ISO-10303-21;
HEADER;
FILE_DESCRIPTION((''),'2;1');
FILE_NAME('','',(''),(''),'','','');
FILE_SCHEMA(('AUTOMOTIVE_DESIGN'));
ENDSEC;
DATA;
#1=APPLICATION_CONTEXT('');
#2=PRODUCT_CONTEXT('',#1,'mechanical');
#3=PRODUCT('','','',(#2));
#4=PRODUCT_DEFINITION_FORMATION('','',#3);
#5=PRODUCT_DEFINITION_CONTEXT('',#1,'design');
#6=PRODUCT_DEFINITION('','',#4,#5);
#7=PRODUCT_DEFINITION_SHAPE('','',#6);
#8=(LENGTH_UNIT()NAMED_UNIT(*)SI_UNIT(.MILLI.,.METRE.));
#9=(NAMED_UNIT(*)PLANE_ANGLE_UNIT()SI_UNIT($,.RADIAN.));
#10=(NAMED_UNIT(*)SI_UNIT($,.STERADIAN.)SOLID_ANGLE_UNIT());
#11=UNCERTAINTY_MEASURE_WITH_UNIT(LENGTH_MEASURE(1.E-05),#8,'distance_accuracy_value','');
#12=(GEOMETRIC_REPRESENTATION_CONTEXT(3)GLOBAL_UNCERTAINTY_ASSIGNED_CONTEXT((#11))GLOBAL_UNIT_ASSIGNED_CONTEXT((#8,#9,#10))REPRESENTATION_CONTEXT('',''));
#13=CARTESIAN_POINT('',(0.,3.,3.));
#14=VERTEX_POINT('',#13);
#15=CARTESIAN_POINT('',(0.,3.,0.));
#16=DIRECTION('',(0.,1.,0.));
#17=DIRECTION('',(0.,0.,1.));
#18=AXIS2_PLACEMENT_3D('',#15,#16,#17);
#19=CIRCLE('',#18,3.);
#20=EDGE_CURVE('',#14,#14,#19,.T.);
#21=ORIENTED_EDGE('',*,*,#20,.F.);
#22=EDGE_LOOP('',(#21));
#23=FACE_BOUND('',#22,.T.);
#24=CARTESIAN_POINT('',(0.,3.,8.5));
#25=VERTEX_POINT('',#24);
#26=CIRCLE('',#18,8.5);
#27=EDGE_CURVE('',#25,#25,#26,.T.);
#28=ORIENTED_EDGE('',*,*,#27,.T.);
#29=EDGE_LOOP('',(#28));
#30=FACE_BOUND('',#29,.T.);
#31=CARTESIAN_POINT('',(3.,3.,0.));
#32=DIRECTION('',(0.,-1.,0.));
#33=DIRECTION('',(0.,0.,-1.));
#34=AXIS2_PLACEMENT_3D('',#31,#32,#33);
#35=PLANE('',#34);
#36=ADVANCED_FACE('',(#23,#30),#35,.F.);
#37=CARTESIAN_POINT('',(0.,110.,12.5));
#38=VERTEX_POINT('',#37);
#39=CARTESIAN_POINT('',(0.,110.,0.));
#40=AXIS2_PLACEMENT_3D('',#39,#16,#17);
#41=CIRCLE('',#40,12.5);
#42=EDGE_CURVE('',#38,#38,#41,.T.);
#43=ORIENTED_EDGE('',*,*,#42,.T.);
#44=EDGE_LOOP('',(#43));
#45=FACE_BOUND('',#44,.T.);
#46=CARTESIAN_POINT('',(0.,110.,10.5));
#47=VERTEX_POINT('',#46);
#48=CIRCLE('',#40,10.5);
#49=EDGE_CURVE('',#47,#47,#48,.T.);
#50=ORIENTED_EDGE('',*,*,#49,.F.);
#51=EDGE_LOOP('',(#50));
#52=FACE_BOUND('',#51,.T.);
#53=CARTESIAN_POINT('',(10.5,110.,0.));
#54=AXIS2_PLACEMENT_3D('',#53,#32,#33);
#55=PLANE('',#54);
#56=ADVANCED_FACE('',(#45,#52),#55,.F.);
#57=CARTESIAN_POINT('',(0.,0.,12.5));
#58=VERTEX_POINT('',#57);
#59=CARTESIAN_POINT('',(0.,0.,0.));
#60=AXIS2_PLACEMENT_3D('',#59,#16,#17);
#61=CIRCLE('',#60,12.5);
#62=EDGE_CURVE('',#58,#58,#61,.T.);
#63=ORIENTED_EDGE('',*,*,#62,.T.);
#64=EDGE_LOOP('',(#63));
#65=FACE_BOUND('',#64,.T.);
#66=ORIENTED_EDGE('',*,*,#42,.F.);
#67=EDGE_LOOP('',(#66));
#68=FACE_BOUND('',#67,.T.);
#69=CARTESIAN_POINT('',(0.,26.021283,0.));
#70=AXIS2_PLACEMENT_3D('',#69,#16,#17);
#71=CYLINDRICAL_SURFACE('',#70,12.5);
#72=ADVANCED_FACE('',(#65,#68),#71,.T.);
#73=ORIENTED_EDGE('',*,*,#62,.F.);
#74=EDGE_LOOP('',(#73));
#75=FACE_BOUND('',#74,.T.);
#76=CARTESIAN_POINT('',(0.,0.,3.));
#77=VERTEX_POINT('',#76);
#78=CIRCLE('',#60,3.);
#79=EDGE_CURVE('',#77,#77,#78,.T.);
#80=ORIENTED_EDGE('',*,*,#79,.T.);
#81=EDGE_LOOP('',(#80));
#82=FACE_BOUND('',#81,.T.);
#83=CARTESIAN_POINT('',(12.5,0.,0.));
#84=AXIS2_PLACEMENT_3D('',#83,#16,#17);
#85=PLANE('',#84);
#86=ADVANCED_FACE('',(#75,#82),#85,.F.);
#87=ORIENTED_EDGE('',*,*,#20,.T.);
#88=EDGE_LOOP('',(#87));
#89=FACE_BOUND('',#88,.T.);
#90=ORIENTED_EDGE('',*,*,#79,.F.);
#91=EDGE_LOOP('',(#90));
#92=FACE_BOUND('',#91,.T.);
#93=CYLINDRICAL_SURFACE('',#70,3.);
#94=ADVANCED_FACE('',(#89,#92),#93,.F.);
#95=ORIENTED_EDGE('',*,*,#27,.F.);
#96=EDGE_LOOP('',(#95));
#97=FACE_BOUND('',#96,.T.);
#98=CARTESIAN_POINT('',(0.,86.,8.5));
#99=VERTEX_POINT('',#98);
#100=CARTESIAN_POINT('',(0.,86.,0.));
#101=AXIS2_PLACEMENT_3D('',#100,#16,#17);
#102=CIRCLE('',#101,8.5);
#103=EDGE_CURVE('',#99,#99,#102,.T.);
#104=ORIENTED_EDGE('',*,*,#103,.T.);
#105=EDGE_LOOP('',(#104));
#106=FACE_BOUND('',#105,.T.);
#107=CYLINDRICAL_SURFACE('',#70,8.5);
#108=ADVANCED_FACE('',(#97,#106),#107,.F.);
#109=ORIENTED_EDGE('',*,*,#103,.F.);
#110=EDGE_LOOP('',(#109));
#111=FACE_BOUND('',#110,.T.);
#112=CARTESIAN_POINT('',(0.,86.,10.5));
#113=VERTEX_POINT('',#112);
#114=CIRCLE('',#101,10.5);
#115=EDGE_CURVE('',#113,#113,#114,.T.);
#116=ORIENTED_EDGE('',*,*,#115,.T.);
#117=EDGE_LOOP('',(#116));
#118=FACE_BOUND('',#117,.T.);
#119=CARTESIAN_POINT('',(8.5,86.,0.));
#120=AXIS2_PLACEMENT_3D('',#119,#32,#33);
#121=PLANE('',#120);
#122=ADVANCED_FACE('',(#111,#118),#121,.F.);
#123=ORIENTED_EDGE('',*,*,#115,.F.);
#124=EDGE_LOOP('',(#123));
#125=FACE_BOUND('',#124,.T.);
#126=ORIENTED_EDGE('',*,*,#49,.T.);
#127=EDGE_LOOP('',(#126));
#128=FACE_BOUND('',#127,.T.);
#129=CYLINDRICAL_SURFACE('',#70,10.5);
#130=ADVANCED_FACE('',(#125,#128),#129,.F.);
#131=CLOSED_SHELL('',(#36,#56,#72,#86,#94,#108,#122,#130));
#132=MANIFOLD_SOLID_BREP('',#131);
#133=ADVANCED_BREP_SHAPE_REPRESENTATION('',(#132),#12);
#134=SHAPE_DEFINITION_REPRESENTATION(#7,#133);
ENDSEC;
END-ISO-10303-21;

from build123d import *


with BuildPart() as part:
    # Esboço3 → Revolução1 (revolve)
    with BuildSketch(Plane.XY):
        Polygon((10.5, 110), (12.5, 110), (12.5, 0), (3, 0), (3, 3), (8.5, 3), (8.5, 86), (10.5, 86), align=None)
    revolve(axis=Axis((0, 26.021282523, 0), (0, -1, 0)))


solid = part.part
